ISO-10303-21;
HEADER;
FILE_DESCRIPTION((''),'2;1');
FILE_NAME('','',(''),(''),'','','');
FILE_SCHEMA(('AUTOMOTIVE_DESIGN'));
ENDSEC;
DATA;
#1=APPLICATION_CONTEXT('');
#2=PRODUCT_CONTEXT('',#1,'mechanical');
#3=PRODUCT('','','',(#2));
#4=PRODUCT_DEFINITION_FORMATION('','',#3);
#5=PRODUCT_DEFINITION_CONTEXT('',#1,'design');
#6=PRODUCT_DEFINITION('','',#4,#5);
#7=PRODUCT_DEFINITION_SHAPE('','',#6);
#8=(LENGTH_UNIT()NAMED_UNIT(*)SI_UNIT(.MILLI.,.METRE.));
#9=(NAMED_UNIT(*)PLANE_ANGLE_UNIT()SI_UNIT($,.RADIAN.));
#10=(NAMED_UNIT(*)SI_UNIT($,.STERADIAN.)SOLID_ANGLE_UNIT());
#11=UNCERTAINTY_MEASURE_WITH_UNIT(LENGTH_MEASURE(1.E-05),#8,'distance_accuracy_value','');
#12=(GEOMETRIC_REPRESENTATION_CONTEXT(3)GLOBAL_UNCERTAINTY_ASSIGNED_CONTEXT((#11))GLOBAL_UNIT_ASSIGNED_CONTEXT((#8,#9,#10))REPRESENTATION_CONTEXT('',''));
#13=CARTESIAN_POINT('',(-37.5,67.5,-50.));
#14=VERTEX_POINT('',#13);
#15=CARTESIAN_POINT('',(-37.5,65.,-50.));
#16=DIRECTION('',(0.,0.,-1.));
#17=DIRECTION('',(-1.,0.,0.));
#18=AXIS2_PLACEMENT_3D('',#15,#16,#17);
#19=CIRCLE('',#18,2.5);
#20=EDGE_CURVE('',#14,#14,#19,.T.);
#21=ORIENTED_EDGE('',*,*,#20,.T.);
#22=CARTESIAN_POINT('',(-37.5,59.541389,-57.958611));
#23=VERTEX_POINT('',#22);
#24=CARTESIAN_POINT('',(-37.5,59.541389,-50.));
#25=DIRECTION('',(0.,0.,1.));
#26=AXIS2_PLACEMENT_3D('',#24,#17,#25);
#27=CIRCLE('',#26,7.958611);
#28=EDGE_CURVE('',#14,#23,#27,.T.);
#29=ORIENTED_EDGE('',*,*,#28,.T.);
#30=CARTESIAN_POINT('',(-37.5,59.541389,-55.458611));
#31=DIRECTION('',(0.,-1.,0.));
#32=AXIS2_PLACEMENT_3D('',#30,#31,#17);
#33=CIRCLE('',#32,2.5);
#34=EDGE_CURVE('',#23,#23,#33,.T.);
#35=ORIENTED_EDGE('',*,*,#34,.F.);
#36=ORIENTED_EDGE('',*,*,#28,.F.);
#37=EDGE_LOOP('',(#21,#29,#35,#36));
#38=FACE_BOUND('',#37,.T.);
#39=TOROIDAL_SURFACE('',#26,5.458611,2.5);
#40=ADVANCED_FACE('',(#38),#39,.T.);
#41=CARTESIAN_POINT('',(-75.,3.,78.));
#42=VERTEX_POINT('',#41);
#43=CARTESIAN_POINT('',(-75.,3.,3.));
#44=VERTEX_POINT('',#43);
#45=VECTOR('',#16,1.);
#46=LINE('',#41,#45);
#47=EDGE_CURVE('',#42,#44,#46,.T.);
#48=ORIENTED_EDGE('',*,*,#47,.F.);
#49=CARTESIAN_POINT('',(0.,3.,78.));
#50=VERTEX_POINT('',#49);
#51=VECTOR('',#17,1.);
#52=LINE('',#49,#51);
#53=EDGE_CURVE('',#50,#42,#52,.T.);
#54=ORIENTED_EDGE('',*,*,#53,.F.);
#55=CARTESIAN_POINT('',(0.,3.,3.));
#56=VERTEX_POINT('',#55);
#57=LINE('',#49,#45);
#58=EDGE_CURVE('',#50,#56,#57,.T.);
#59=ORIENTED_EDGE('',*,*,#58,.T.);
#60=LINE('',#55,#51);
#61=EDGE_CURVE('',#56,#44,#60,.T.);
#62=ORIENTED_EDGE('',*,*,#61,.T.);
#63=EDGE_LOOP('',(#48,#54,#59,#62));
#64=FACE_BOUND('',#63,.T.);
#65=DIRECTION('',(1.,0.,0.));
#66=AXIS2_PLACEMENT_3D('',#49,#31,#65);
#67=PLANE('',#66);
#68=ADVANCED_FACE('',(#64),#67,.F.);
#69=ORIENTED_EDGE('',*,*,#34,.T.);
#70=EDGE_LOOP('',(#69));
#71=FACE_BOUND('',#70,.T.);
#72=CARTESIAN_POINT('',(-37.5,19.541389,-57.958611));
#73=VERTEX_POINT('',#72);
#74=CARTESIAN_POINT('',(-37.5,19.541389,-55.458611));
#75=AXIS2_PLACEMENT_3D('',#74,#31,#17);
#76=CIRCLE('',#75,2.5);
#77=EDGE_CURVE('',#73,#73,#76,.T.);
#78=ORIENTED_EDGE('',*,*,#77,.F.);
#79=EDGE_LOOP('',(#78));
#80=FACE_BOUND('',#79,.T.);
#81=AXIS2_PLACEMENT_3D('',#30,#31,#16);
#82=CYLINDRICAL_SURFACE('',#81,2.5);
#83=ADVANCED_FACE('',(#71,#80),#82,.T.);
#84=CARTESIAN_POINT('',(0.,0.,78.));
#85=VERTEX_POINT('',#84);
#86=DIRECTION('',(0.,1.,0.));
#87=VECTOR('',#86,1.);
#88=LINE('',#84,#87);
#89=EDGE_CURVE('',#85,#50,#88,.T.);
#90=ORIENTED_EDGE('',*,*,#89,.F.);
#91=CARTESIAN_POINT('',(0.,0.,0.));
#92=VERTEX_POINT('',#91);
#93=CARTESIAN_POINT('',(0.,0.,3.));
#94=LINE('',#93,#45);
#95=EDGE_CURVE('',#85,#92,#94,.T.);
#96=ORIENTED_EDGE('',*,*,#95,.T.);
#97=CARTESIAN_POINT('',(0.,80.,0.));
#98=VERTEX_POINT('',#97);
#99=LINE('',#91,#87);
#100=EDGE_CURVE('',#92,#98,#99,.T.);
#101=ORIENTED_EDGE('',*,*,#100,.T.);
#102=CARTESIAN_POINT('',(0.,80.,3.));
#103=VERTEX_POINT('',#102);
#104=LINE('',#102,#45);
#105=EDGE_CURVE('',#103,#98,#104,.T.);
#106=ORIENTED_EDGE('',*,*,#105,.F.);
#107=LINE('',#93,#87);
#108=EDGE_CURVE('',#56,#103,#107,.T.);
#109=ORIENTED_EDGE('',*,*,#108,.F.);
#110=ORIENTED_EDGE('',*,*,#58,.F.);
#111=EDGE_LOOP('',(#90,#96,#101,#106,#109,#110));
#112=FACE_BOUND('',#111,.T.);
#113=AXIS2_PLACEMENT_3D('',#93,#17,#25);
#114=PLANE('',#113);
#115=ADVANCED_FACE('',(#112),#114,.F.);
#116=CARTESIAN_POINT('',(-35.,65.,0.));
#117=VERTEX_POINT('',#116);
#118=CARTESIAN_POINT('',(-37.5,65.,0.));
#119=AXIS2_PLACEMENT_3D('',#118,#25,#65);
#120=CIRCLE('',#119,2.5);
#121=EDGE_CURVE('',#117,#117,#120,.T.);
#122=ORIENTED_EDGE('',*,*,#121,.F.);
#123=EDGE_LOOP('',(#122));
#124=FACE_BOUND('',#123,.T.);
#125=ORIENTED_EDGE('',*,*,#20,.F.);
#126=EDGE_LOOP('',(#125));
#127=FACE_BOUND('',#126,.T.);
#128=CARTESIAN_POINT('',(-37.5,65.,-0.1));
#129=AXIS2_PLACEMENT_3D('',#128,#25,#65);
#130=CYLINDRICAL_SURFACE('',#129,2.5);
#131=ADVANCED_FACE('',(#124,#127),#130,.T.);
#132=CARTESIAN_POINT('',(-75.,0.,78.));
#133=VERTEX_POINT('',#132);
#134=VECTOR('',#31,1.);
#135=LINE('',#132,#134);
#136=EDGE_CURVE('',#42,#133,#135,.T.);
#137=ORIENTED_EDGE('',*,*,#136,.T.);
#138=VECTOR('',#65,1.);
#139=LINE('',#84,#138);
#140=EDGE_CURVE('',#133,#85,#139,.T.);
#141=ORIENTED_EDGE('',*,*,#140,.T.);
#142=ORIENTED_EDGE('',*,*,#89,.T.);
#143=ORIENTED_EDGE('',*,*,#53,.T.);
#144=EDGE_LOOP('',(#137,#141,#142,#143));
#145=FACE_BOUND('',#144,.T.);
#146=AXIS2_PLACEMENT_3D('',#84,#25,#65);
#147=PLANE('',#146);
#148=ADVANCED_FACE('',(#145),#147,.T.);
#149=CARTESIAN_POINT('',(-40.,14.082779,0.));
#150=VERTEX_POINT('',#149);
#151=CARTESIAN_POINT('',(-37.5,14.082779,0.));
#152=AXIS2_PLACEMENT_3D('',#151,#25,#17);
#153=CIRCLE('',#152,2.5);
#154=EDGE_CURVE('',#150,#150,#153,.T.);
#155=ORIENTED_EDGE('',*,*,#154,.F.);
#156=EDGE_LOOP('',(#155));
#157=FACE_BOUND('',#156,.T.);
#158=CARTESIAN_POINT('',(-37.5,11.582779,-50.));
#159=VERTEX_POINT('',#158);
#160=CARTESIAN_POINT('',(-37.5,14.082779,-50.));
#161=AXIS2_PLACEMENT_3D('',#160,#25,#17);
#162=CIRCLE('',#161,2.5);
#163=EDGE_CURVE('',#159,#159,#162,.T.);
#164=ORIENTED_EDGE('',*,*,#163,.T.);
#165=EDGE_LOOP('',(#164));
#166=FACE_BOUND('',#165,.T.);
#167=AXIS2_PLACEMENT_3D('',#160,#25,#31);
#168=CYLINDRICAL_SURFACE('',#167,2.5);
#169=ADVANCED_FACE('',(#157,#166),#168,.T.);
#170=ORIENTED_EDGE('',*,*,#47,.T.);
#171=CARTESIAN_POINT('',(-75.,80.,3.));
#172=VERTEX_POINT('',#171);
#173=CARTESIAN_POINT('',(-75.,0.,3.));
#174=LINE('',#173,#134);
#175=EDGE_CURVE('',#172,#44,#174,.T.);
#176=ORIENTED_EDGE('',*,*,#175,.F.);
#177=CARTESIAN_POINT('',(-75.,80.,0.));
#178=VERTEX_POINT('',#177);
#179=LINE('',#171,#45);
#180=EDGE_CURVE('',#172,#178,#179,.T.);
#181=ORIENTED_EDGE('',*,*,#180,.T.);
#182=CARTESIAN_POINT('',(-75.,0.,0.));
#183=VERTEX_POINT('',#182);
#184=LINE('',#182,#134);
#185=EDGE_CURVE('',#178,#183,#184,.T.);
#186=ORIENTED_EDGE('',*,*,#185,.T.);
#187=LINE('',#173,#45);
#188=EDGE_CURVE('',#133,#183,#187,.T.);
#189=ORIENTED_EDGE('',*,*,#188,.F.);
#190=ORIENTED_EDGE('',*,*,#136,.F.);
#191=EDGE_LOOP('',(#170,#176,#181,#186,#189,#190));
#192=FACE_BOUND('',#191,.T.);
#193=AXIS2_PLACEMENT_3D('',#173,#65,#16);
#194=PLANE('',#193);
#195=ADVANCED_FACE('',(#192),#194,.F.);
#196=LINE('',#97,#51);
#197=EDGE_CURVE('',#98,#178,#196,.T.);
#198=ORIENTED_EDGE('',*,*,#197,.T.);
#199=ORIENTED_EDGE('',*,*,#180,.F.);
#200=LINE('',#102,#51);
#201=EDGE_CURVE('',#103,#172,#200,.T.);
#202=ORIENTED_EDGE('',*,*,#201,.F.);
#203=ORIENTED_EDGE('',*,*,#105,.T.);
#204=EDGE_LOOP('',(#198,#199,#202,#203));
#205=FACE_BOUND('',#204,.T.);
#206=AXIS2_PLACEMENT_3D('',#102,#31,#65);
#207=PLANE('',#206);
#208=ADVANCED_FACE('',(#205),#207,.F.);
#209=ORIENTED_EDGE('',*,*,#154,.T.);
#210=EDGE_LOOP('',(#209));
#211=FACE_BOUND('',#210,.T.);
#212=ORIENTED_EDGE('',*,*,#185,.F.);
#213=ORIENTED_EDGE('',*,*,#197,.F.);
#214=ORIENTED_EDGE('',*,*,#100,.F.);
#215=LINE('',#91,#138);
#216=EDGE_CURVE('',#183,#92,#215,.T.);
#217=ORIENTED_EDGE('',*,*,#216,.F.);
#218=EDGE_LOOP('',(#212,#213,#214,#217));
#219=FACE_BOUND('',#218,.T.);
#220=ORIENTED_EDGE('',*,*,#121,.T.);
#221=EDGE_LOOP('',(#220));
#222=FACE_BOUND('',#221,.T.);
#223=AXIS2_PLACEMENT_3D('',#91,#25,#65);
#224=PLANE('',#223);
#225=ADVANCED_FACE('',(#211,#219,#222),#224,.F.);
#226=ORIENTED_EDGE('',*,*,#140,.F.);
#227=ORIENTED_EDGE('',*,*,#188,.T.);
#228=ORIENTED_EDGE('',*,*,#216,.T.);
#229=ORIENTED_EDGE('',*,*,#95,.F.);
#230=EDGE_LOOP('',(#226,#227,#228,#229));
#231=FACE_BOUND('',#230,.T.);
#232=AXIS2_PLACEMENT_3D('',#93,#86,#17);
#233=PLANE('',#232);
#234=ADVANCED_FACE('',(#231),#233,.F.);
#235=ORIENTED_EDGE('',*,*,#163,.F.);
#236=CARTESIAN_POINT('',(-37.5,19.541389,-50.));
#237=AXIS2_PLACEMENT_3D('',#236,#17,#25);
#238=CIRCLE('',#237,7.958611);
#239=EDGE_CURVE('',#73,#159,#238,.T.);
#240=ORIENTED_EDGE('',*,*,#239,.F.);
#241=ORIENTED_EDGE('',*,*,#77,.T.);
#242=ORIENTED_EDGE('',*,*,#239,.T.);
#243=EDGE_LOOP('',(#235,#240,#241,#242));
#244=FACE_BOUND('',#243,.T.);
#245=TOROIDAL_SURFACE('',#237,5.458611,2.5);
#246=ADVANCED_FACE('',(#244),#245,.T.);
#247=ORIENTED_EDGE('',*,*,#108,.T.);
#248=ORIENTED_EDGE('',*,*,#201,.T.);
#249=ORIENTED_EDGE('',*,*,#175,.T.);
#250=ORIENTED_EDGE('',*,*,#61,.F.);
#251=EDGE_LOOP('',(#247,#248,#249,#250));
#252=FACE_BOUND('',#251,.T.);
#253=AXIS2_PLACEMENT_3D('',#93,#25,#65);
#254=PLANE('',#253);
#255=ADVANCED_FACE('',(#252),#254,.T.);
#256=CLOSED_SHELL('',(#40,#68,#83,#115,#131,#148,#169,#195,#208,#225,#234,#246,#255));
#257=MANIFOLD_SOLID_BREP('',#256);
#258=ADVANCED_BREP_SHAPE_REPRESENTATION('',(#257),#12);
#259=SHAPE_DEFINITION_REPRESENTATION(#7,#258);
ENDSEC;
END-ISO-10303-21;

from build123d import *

# Parameters (mm, degrees)
SKETCH1_W           = 75
SKETCH1_H           = 80
BOSS_EXTRUDE1_DEPTH = 3
SKETCH2_W           = 75
SKETCH2_H           = 3
BOSS_EXTRUDE2_DEPTH = 75
SKETCH5_R           = 2.5
BOSS_EXTRUDE3_DEPTH = 3.1
SKETCH8_R           = 2.5


with BuildPart() as part:
    # Sketch1 → Boss-Extrude1 (new body)
    with BuildSketch(Plane.XY):
        with Locations((-37.5, 40)):
            Rectangle(SKETCH1_W, SKETCH1_H)
    extrude(amount=BOSS_EXTRUDE1_DEPTH)

    # Sketch2 → Boss-Extrude2 (add)
    with BuildSketch(Plane.XY.offset(3)):
        with Locations((-37.5, 1.5)):
            Rectangle(SKETCH2_W, SKETCH2_H)
    extrude(amount=BOSS_EXTRUDE2_DEPTH)

    # Sketch5 → Boss-Extrude3 (add)
    with BuildSketch(Plane.XY.offset(3)):
        with Locations((-37.5, 65)):
            Circle(SKETCH5_R)
    extrude(amount=-BOSS_EXTRUDE3_DEPTH)

    # Sweep1: sweep along a path in Sketch7
    with BuildLine(Plane(origin=(0, 0, 0), x_dir=(0, 0, -1), z_dir=(1, 0, 0))) as sweep1_path:
        Line((0, 64.541389485), (50, 64.541389485))
        ThreePointArc((50, 64.541389485), (53.535533906, 63.076923391), (55, 59.541389485))
        Line((55, 59.541389485), (55, 19.541389485))
        ThreePointArc((55, 19.541389485), (53.535533906, 16.005855579), (50, 14.541389485))
        Line((50, 14.541389485), (0, 14.541389485))
    # Sketch8 → Sweep1 (sweep)
    with BuildSketch(Plane(origin=(0, 0, -0.1), x_dir=(-1, 0, 0), z_dir=(0, 0, -1))):
        with Locations((37.5, 65)):
            Circle(SKETCH8_R)
    sweep(path=sweep1_path.line)


solid = part.part
